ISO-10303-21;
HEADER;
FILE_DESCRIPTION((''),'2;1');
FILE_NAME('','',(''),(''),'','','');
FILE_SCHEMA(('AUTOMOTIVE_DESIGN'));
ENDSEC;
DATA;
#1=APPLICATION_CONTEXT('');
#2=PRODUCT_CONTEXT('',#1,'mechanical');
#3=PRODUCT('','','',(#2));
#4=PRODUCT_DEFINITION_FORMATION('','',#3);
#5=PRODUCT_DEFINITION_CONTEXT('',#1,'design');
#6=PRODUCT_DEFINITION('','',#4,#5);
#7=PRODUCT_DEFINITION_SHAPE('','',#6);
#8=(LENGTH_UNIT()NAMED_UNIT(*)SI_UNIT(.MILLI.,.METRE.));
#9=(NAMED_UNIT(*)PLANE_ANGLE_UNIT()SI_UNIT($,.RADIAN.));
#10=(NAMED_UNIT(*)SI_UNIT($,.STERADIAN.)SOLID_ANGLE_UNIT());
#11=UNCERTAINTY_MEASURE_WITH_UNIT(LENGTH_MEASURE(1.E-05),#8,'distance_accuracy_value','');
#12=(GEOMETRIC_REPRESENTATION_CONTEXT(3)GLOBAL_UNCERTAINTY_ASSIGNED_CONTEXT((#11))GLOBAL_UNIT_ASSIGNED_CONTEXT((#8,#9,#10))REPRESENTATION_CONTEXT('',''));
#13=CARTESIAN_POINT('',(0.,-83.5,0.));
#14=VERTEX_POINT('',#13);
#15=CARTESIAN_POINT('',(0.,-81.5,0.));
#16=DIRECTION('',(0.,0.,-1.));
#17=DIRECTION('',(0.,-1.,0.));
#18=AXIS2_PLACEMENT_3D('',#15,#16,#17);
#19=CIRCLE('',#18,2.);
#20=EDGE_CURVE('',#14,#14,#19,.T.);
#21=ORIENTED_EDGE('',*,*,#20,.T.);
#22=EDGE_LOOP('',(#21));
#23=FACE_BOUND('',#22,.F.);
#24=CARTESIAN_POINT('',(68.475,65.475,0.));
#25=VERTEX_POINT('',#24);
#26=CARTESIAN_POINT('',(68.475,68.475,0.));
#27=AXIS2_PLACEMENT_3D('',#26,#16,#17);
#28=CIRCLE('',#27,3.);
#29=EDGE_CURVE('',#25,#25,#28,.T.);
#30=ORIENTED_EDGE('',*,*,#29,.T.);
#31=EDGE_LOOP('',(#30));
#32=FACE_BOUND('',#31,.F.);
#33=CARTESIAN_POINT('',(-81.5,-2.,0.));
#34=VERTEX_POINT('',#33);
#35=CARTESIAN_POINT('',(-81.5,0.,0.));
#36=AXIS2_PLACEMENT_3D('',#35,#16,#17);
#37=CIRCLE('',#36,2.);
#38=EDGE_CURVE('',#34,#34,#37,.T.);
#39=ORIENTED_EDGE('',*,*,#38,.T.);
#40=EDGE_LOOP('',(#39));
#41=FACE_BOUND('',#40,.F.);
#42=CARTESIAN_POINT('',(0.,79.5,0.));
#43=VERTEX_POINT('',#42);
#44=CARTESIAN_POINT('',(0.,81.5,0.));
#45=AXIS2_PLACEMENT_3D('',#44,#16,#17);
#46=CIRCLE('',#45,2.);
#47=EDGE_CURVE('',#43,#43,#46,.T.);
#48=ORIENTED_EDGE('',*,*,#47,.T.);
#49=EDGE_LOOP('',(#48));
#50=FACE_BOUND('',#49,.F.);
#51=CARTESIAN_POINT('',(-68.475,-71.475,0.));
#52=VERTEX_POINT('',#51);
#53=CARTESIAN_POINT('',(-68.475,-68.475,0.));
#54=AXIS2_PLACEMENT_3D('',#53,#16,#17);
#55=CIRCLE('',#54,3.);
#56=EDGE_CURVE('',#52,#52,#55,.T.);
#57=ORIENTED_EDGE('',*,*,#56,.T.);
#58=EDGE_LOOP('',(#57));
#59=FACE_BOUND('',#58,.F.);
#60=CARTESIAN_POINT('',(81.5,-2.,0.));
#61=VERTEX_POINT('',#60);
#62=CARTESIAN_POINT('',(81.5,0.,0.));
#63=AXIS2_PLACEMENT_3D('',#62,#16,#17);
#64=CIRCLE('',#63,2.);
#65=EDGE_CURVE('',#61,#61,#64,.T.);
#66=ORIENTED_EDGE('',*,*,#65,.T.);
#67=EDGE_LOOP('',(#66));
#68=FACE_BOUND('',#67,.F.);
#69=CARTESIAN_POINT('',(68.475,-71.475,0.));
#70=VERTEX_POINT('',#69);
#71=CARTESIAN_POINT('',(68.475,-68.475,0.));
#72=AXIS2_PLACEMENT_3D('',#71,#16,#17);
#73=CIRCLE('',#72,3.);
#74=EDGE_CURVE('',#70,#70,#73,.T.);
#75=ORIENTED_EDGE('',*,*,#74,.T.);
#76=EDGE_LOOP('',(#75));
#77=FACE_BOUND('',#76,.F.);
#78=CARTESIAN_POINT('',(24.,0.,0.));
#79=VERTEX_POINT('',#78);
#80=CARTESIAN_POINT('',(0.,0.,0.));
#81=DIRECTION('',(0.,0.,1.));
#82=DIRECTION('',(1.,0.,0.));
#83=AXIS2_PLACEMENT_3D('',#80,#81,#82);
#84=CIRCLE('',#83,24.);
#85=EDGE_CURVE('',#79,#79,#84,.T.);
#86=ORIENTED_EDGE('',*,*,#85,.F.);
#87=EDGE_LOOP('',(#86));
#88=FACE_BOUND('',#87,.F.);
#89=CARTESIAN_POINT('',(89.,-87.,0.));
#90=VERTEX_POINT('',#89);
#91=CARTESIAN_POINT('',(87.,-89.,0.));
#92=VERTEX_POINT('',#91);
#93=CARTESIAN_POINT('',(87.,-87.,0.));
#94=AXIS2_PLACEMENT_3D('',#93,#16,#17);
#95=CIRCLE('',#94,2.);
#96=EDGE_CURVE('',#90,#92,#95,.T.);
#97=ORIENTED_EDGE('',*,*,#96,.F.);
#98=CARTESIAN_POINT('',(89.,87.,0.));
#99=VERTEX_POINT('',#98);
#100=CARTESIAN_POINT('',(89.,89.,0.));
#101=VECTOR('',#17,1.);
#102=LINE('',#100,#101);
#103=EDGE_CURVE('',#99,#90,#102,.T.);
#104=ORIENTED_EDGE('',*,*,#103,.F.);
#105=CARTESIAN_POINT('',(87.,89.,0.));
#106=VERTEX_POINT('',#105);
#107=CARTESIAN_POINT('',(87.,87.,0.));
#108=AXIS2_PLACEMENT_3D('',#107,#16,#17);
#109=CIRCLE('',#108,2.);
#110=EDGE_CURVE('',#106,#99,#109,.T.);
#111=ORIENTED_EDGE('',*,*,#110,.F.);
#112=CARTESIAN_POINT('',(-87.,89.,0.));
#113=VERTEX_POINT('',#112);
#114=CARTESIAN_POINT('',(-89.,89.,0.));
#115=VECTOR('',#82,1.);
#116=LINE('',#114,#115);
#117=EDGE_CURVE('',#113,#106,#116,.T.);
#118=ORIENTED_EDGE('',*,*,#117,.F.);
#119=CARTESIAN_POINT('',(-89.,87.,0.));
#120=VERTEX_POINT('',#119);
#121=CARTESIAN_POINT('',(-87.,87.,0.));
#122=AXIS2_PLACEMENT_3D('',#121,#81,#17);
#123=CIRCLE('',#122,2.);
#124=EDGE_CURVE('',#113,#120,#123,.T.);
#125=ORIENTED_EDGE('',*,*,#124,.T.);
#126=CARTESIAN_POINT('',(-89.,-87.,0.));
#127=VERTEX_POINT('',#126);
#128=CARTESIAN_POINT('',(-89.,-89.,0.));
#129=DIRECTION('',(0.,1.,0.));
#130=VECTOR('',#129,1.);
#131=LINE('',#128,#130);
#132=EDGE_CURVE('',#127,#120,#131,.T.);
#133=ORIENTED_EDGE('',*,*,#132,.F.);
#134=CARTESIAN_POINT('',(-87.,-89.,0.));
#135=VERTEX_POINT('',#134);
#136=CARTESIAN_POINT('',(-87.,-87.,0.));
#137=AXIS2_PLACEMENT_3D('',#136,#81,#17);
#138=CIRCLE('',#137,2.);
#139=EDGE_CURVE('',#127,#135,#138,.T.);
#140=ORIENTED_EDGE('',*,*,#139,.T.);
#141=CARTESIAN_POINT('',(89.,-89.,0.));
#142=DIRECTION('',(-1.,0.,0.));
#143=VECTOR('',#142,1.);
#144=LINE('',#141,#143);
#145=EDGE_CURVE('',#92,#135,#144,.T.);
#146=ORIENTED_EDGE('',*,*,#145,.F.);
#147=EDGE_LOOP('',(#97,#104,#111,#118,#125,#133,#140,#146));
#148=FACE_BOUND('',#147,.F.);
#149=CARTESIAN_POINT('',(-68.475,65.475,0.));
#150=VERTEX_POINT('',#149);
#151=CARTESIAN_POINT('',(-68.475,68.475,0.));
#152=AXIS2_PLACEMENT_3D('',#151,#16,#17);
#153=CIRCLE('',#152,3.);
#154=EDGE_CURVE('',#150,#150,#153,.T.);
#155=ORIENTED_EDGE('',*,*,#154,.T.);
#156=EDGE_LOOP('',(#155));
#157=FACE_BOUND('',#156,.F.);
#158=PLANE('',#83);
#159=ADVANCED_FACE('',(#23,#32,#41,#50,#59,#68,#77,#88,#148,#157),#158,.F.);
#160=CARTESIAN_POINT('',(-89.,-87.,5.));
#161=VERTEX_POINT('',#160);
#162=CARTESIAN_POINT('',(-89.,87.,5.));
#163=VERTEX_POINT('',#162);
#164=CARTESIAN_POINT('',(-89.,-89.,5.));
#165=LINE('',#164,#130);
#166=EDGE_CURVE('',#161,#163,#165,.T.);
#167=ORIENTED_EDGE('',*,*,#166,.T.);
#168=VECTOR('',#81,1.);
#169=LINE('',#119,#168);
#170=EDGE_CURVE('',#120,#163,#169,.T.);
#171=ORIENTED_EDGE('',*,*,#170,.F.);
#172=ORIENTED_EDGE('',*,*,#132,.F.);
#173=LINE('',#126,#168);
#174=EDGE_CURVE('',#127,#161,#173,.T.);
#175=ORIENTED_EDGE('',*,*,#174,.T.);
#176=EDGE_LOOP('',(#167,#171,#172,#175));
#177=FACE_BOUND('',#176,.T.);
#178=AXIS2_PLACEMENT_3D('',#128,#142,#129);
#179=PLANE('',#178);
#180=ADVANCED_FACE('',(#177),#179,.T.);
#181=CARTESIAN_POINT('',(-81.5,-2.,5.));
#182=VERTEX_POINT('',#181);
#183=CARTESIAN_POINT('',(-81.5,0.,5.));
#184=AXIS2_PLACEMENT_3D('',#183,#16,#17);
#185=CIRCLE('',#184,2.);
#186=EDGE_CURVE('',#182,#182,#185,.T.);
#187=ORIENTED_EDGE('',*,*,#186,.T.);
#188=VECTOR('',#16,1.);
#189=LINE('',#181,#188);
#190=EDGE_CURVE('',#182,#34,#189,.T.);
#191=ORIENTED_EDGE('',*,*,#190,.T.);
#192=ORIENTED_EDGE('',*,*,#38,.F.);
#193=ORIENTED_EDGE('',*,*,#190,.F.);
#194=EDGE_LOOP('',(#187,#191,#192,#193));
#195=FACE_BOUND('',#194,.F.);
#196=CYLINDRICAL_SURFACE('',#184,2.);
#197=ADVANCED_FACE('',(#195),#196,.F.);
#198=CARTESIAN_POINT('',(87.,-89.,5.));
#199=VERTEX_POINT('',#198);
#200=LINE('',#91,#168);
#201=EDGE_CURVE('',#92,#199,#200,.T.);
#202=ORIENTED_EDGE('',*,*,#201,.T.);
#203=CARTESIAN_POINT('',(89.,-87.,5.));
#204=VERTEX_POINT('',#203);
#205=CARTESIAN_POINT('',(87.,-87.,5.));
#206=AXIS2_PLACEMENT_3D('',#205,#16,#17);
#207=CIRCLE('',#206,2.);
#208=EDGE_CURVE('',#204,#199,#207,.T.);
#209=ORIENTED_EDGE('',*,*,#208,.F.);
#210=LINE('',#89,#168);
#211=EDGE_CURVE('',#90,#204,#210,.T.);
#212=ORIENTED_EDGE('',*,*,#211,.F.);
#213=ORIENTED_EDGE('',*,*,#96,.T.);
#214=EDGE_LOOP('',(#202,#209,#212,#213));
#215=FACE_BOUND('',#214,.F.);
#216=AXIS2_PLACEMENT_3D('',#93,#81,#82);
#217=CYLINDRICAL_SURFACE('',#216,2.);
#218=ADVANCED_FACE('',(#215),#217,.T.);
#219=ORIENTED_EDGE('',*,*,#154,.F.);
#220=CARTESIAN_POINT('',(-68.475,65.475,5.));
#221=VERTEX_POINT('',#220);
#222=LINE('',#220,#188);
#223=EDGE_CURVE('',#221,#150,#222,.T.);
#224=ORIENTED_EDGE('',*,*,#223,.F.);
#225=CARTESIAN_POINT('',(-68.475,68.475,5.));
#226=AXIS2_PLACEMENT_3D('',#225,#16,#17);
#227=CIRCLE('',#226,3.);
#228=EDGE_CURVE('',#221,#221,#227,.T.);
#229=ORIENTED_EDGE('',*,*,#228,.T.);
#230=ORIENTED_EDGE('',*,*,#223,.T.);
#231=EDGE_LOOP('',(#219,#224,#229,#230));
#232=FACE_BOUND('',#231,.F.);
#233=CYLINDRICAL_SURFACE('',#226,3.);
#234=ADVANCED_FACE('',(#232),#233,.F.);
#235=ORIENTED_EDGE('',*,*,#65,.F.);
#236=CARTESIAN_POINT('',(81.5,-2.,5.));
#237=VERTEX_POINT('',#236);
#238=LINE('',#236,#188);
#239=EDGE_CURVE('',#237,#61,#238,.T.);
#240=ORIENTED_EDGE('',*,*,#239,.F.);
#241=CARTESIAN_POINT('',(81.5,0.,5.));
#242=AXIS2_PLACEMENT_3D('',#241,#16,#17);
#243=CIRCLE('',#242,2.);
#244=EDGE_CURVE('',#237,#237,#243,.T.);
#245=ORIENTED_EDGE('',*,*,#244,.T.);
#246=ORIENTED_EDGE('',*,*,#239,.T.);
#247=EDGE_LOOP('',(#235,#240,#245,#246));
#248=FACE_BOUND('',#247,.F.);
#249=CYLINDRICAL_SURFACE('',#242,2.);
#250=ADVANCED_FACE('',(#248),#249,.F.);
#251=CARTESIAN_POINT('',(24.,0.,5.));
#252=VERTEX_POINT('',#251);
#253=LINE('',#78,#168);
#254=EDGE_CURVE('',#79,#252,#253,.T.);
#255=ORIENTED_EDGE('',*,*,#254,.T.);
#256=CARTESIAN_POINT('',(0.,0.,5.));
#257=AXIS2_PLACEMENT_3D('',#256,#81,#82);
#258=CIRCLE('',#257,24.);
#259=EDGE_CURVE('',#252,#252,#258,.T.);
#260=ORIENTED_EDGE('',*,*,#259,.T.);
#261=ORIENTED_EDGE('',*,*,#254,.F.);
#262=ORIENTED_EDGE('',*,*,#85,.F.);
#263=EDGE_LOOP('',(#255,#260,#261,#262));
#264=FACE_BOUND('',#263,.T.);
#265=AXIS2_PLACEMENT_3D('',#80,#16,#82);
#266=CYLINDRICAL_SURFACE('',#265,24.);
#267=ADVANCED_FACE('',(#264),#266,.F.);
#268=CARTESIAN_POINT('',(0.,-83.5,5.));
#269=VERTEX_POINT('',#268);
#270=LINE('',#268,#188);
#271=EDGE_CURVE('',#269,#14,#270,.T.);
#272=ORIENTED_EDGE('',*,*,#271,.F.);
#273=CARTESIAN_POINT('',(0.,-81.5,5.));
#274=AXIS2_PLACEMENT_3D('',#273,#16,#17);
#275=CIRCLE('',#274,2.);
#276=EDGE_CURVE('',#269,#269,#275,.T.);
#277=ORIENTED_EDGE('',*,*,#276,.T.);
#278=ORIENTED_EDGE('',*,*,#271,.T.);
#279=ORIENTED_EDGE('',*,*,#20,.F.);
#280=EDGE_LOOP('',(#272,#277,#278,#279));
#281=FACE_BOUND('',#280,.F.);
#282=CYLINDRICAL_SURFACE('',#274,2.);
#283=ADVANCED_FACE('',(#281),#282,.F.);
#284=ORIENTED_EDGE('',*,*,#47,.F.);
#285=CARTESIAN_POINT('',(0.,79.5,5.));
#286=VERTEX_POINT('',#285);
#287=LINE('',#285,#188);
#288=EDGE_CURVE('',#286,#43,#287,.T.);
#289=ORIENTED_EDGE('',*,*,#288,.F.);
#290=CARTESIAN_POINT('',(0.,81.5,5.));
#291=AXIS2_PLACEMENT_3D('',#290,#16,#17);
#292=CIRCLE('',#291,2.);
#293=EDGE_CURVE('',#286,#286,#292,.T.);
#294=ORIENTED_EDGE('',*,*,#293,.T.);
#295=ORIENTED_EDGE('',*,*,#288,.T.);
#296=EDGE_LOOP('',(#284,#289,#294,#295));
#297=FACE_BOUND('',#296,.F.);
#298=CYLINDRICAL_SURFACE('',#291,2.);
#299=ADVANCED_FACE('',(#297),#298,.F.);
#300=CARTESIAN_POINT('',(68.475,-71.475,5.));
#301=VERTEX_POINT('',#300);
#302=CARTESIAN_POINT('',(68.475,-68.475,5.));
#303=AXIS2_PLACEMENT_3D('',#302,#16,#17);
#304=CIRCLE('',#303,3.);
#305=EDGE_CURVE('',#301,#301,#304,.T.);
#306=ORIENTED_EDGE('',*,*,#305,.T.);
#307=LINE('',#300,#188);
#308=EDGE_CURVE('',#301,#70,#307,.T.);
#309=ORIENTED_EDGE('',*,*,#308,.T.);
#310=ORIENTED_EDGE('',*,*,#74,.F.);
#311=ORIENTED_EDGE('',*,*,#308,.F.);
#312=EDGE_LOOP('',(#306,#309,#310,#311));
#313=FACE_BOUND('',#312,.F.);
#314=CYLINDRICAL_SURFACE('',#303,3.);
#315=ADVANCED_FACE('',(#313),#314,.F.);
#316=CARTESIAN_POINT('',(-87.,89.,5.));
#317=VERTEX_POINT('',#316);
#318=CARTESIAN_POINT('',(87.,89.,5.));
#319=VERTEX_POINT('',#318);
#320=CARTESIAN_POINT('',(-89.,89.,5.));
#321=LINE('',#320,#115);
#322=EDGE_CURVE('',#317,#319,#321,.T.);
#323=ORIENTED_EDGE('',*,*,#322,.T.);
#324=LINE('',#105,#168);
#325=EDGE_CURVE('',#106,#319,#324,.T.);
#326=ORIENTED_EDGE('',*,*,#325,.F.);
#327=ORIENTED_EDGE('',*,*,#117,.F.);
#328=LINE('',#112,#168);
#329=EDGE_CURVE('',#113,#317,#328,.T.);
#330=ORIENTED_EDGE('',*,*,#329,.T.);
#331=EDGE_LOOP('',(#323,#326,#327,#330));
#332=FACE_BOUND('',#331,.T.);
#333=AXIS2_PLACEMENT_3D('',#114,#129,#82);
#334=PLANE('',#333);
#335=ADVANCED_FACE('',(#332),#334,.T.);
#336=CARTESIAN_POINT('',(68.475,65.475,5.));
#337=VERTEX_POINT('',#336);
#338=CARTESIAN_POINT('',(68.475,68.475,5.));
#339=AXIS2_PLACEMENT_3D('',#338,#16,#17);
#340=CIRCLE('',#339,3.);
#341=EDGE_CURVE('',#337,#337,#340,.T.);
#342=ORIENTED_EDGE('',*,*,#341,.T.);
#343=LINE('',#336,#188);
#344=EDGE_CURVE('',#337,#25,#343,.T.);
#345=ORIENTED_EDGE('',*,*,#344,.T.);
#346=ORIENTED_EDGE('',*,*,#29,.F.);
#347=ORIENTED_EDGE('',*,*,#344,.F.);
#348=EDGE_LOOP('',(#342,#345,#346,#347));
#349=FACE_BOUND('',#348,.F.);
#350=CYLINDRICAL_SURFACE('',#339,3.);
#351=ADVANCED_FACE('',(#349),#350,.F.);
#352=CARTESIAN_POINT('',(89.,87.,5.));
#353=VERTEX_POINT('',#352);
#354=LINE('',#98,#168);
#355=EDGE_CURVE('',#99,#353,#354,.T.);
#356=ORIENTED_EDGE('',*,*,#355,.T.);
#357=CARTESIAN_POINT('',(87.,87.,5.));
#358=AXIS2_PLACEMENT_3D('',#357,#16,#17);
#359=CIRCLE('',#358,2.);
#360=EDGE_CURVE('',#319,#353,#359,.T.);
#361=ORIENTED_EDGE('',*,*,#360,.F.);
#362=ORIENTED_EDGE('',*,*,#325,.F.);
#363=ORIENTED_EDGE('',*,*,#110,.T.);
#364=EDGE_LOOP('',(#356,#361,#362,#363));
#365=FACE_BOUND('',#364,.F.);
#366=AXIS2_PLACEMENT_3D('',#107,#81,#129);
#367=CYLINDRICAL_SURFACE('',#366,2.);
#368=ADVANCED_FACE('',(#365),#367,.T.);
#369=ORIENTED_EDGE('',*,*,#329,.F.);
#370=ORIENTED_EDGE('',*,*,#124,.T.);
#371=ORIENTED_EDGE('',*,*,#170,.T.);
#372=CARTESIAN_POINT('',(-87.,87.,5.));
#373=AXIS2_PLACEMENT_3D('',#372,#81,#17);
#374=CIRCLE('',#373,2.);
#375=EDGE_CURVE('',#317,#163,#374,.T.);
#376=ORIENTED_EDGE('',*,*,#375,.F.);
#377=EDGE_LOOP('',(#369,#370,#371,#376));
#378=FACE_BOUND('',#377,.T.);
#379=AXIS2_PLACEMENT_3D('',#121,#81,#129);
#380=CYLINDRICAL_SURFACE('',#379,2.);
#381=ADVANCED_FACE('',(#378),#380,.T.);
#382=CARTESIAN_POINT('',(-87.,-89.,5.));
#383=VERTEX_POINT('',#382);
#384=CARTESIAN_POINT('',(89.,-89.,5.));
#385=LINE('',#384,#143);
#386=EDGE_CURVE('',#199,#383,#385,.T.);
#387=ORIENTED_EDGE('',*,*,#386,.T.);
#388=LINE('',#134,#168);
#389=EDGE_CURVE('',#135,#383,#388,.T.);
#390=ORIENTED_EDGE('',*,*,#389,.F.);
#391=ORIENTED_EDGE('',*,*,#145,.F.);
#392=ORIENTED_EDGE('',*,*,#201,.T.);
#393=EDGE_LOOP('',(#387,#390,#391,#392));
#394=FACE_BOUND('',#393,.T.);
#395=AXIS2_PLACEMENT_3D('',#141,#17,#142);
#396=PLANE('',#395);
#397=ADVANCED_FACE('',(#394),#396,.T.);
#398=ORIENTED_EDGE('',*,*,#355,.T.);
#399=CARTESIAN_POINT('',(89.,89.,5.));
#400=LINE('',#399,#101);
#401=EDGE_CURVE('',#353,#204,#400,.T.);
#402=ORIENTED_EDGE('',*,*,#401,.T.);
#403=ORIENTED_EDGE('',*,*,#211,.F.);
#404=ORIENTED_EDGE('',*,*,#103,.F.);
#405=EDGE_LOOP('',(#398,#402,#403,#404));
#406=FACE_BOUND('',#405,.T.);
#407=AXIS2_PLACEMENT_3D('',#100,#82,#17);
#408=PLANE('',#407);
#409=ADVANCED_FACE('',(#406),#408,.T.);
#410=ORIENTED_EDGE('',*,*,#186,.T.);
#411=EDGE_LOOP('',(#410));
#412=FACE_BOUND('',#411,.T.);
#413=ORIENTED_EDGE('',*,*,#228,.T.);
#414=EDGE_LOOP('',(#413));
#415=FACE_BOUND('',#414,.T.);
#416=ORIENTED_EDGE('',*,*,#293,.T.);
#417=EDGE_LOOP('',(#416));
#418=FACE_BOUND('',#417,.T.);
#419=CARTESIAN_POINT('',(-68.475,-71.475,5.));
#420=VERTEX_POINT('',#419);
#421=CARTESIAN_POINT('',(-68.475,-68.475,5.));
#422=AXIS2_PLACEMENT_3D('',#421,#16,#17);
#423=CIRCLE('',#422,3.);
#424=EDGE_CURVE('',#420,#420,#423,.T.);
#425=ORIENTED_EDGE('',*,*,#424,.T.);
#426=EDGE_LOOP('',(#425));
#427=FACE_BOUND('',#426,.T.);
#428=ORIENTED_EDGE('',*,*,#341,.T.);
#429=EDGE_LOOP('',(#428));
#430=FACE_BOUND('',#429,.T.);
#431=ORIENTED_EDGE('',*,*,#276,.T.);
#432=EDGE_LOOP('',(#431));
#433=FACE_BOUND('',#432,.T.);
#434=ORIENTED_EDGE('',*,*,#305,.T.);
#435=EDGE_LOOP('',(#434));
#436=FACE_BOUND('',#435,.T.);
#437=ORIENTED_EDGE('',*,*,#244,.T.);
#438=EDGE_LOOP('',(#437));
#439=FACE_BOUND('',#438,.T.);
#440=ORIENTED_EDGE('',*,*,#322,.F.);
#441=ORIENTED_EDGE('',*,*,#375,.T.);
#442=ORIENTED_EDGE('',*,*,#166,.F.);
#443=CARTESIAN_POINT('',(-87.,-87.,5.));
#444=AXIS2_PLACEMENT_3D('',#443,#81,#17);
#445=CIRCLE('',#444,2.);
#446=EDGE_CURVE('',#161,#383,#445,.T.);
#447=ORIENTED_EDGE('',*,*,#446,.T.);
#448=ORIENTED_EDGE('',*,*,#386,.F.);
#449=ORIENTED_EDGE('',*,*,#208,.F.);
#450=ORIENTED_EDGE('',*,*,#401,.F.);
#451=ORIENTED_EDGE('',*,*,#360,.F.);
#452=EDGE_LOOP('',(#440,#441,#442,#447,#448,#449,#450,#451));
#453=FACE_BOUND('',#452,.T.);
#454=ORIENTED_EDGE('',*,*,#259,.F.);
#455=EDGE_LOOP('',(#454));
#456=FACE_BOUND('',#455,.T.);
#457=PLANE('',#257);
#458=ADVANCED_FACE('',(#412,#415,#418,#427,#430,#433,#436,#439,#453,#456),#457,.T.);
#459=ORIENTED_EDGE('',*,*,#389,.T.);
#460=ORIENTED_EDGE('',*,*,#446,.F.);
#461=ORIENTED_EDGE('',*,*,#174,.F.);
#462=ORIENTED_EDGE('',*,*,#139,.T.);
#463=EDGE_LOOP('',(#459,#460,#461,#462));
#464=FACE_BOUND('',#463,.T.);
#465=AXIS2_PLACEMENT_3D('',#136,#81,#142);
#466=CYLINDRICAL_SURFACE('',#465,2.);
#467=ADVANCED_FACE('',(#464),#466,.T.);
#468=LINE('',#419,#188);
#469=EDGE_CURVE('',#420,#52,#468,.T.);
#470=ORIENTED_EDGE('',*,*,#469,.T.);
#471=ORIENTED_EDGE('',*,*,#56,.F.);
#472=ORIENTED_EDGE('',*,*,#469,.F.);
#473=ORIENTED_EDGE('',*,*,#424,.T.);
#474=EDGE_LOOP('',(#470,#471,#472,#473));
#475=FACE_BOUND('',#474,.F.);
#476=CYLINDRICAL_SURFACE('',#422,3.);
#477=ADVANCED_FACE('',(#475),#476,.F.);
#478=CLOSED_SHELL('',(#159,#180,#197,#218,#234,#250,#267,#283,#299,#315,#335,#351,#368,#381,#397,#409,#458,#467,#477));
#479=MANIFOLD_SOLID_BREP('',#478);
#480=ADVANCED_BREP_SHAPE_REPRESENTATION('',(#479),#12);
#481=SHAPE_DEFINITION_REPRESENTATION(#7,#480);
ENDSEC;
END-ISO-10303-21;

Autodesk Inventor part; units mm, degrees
ref_plane "YZ Plane" through (0, 0, 0) normal (1, 0, 0) x (0, 1, 0)
ref_plane "XZ Plane" through (0, 0, 0) normal (0, 1, 0) x (-1, 0, 0)
ref_plane "XY Plane" through (0, 0, 0) normal (0, 0, 1) x (1, 0, 0)
sketch "Sketch1" plane through (0, 0, 0) normal (0, 0, 1) x (1, 0, 0)
  line L0 (-89, 89) -> (89, 89)
  line L1 (89, 89) -> (89, -89)
  line L2 (89, -89) -> (-89, -89)
  line L3 (-89, -89) -> (-89, 89)
  circle A0 centre (0, 0) radius 24
  dimension "d33" = 178
  dimension "d34" = 89
  dimension "d35" = 89
  dimension "d65" = 48
extrude "Extrusion1" add sketch "Sketch1" along normal blind 5
sketch "Sketch2" plane through (0, 0, 5) normal (0, 0, 1) x (1, 0, 0)
  circle A0 centre (-81.5, 0) radius 2
  circle A1 centre (81.5, 0) radius 2
  line L0 (-78.5, 36.125) -> (-78.5, 56.125) projected
  line L1 (78.5, 56.125) -> (78.5, 36.125) projected
  circle A2 centre (0, 81.5) radius 2
  circle A3 centre (0, -81.5) radius 2
  line L2 (36.125, 78.5) -> (56.125, 78.5) projected
  line L3 (56.125, -78.5) -> (36.125, -78.5) projected
  line L4 (-89, 89) -> (-89, -89) projected
  line L5 (89, 89) -> (-89, 89) projected
  line L6 (89, -89) -> (89, 89) projected
  line L7 (-89, -89) -> (89, -89) projected
  point P0 (0, 0)
  point P1 (-78.5, -56.125)
  point P2 (78.5, -56.125)
  point P3 (-56.125, 78.5)
  point P4 (-56.125, -78.5)
  dimension "d18" = 4
  dimension "d37" = 7.5
  dimension "d38" = 7.5
  dimension "d39" = 7.5
  dimension "d40" = 7.5
hole "Hole1" at (-81.5, 0, 5) at (0, 81.5, 5) at (81.5, 0, 5) at (0, -81.5, 5) direction (0, 0, -1) diameter 4 end through all
fillet "Fillet1" radius 2 4 edges at (-89, -89, 2.5) (-89, 89, 2.5) (89, -89, 2.5) (89, 89, 2.5)
sketch "Sketch3" plane through (0, 0, 5) normal (0, 0, 1) x (1, 0, 0)
  line L0 (68.475, -68.475) -> (-68.475, -68.475)
  line L1 (-68.475, -68.475) -> (-68.475, 68.475)
  line L2 (-68.475, 68.475) -> (68.475, 68.475)
  line L3 (68.475, 68.475) -> (68.475, -68.475)
  line L4 (68.475, -68.475) -> (-68.475, 68.475) construction
  line L5 (-68.475, -68.475) -> (68.475, 68.475) construction
  circle A0 centre (-68.475, 68.475) radius 4.875
  point P0 (0, 0)
  dimension "d31" = 136.95
  dimension "d32" = 9.75
hole "Hole2" at (-68.475, 68.475, 5) at (68.475, 68.475, 5) at (68.475, -68.475, 5) at (-68.475, -68.475, 5) direction (0, 0, -1) diameter 6 end through all
equation "\"d34\" = 0.5 * d33"
equation "\"d35\" = 0.5 * d33"
equation "\"d38\" = d37"
equation "\"d39\" = d37"
equation "\"d40\" = d37"
equation "\"d21\" = d18"
equation "\"d6\" = 0.5 * d3"
equation "\"d7\" = 0.5 * d2"
equation "\"d3\" = 157"
equation "\"d2\" = 157"
properties part number "WaagePlexiOben3" material "PET Plastic"
